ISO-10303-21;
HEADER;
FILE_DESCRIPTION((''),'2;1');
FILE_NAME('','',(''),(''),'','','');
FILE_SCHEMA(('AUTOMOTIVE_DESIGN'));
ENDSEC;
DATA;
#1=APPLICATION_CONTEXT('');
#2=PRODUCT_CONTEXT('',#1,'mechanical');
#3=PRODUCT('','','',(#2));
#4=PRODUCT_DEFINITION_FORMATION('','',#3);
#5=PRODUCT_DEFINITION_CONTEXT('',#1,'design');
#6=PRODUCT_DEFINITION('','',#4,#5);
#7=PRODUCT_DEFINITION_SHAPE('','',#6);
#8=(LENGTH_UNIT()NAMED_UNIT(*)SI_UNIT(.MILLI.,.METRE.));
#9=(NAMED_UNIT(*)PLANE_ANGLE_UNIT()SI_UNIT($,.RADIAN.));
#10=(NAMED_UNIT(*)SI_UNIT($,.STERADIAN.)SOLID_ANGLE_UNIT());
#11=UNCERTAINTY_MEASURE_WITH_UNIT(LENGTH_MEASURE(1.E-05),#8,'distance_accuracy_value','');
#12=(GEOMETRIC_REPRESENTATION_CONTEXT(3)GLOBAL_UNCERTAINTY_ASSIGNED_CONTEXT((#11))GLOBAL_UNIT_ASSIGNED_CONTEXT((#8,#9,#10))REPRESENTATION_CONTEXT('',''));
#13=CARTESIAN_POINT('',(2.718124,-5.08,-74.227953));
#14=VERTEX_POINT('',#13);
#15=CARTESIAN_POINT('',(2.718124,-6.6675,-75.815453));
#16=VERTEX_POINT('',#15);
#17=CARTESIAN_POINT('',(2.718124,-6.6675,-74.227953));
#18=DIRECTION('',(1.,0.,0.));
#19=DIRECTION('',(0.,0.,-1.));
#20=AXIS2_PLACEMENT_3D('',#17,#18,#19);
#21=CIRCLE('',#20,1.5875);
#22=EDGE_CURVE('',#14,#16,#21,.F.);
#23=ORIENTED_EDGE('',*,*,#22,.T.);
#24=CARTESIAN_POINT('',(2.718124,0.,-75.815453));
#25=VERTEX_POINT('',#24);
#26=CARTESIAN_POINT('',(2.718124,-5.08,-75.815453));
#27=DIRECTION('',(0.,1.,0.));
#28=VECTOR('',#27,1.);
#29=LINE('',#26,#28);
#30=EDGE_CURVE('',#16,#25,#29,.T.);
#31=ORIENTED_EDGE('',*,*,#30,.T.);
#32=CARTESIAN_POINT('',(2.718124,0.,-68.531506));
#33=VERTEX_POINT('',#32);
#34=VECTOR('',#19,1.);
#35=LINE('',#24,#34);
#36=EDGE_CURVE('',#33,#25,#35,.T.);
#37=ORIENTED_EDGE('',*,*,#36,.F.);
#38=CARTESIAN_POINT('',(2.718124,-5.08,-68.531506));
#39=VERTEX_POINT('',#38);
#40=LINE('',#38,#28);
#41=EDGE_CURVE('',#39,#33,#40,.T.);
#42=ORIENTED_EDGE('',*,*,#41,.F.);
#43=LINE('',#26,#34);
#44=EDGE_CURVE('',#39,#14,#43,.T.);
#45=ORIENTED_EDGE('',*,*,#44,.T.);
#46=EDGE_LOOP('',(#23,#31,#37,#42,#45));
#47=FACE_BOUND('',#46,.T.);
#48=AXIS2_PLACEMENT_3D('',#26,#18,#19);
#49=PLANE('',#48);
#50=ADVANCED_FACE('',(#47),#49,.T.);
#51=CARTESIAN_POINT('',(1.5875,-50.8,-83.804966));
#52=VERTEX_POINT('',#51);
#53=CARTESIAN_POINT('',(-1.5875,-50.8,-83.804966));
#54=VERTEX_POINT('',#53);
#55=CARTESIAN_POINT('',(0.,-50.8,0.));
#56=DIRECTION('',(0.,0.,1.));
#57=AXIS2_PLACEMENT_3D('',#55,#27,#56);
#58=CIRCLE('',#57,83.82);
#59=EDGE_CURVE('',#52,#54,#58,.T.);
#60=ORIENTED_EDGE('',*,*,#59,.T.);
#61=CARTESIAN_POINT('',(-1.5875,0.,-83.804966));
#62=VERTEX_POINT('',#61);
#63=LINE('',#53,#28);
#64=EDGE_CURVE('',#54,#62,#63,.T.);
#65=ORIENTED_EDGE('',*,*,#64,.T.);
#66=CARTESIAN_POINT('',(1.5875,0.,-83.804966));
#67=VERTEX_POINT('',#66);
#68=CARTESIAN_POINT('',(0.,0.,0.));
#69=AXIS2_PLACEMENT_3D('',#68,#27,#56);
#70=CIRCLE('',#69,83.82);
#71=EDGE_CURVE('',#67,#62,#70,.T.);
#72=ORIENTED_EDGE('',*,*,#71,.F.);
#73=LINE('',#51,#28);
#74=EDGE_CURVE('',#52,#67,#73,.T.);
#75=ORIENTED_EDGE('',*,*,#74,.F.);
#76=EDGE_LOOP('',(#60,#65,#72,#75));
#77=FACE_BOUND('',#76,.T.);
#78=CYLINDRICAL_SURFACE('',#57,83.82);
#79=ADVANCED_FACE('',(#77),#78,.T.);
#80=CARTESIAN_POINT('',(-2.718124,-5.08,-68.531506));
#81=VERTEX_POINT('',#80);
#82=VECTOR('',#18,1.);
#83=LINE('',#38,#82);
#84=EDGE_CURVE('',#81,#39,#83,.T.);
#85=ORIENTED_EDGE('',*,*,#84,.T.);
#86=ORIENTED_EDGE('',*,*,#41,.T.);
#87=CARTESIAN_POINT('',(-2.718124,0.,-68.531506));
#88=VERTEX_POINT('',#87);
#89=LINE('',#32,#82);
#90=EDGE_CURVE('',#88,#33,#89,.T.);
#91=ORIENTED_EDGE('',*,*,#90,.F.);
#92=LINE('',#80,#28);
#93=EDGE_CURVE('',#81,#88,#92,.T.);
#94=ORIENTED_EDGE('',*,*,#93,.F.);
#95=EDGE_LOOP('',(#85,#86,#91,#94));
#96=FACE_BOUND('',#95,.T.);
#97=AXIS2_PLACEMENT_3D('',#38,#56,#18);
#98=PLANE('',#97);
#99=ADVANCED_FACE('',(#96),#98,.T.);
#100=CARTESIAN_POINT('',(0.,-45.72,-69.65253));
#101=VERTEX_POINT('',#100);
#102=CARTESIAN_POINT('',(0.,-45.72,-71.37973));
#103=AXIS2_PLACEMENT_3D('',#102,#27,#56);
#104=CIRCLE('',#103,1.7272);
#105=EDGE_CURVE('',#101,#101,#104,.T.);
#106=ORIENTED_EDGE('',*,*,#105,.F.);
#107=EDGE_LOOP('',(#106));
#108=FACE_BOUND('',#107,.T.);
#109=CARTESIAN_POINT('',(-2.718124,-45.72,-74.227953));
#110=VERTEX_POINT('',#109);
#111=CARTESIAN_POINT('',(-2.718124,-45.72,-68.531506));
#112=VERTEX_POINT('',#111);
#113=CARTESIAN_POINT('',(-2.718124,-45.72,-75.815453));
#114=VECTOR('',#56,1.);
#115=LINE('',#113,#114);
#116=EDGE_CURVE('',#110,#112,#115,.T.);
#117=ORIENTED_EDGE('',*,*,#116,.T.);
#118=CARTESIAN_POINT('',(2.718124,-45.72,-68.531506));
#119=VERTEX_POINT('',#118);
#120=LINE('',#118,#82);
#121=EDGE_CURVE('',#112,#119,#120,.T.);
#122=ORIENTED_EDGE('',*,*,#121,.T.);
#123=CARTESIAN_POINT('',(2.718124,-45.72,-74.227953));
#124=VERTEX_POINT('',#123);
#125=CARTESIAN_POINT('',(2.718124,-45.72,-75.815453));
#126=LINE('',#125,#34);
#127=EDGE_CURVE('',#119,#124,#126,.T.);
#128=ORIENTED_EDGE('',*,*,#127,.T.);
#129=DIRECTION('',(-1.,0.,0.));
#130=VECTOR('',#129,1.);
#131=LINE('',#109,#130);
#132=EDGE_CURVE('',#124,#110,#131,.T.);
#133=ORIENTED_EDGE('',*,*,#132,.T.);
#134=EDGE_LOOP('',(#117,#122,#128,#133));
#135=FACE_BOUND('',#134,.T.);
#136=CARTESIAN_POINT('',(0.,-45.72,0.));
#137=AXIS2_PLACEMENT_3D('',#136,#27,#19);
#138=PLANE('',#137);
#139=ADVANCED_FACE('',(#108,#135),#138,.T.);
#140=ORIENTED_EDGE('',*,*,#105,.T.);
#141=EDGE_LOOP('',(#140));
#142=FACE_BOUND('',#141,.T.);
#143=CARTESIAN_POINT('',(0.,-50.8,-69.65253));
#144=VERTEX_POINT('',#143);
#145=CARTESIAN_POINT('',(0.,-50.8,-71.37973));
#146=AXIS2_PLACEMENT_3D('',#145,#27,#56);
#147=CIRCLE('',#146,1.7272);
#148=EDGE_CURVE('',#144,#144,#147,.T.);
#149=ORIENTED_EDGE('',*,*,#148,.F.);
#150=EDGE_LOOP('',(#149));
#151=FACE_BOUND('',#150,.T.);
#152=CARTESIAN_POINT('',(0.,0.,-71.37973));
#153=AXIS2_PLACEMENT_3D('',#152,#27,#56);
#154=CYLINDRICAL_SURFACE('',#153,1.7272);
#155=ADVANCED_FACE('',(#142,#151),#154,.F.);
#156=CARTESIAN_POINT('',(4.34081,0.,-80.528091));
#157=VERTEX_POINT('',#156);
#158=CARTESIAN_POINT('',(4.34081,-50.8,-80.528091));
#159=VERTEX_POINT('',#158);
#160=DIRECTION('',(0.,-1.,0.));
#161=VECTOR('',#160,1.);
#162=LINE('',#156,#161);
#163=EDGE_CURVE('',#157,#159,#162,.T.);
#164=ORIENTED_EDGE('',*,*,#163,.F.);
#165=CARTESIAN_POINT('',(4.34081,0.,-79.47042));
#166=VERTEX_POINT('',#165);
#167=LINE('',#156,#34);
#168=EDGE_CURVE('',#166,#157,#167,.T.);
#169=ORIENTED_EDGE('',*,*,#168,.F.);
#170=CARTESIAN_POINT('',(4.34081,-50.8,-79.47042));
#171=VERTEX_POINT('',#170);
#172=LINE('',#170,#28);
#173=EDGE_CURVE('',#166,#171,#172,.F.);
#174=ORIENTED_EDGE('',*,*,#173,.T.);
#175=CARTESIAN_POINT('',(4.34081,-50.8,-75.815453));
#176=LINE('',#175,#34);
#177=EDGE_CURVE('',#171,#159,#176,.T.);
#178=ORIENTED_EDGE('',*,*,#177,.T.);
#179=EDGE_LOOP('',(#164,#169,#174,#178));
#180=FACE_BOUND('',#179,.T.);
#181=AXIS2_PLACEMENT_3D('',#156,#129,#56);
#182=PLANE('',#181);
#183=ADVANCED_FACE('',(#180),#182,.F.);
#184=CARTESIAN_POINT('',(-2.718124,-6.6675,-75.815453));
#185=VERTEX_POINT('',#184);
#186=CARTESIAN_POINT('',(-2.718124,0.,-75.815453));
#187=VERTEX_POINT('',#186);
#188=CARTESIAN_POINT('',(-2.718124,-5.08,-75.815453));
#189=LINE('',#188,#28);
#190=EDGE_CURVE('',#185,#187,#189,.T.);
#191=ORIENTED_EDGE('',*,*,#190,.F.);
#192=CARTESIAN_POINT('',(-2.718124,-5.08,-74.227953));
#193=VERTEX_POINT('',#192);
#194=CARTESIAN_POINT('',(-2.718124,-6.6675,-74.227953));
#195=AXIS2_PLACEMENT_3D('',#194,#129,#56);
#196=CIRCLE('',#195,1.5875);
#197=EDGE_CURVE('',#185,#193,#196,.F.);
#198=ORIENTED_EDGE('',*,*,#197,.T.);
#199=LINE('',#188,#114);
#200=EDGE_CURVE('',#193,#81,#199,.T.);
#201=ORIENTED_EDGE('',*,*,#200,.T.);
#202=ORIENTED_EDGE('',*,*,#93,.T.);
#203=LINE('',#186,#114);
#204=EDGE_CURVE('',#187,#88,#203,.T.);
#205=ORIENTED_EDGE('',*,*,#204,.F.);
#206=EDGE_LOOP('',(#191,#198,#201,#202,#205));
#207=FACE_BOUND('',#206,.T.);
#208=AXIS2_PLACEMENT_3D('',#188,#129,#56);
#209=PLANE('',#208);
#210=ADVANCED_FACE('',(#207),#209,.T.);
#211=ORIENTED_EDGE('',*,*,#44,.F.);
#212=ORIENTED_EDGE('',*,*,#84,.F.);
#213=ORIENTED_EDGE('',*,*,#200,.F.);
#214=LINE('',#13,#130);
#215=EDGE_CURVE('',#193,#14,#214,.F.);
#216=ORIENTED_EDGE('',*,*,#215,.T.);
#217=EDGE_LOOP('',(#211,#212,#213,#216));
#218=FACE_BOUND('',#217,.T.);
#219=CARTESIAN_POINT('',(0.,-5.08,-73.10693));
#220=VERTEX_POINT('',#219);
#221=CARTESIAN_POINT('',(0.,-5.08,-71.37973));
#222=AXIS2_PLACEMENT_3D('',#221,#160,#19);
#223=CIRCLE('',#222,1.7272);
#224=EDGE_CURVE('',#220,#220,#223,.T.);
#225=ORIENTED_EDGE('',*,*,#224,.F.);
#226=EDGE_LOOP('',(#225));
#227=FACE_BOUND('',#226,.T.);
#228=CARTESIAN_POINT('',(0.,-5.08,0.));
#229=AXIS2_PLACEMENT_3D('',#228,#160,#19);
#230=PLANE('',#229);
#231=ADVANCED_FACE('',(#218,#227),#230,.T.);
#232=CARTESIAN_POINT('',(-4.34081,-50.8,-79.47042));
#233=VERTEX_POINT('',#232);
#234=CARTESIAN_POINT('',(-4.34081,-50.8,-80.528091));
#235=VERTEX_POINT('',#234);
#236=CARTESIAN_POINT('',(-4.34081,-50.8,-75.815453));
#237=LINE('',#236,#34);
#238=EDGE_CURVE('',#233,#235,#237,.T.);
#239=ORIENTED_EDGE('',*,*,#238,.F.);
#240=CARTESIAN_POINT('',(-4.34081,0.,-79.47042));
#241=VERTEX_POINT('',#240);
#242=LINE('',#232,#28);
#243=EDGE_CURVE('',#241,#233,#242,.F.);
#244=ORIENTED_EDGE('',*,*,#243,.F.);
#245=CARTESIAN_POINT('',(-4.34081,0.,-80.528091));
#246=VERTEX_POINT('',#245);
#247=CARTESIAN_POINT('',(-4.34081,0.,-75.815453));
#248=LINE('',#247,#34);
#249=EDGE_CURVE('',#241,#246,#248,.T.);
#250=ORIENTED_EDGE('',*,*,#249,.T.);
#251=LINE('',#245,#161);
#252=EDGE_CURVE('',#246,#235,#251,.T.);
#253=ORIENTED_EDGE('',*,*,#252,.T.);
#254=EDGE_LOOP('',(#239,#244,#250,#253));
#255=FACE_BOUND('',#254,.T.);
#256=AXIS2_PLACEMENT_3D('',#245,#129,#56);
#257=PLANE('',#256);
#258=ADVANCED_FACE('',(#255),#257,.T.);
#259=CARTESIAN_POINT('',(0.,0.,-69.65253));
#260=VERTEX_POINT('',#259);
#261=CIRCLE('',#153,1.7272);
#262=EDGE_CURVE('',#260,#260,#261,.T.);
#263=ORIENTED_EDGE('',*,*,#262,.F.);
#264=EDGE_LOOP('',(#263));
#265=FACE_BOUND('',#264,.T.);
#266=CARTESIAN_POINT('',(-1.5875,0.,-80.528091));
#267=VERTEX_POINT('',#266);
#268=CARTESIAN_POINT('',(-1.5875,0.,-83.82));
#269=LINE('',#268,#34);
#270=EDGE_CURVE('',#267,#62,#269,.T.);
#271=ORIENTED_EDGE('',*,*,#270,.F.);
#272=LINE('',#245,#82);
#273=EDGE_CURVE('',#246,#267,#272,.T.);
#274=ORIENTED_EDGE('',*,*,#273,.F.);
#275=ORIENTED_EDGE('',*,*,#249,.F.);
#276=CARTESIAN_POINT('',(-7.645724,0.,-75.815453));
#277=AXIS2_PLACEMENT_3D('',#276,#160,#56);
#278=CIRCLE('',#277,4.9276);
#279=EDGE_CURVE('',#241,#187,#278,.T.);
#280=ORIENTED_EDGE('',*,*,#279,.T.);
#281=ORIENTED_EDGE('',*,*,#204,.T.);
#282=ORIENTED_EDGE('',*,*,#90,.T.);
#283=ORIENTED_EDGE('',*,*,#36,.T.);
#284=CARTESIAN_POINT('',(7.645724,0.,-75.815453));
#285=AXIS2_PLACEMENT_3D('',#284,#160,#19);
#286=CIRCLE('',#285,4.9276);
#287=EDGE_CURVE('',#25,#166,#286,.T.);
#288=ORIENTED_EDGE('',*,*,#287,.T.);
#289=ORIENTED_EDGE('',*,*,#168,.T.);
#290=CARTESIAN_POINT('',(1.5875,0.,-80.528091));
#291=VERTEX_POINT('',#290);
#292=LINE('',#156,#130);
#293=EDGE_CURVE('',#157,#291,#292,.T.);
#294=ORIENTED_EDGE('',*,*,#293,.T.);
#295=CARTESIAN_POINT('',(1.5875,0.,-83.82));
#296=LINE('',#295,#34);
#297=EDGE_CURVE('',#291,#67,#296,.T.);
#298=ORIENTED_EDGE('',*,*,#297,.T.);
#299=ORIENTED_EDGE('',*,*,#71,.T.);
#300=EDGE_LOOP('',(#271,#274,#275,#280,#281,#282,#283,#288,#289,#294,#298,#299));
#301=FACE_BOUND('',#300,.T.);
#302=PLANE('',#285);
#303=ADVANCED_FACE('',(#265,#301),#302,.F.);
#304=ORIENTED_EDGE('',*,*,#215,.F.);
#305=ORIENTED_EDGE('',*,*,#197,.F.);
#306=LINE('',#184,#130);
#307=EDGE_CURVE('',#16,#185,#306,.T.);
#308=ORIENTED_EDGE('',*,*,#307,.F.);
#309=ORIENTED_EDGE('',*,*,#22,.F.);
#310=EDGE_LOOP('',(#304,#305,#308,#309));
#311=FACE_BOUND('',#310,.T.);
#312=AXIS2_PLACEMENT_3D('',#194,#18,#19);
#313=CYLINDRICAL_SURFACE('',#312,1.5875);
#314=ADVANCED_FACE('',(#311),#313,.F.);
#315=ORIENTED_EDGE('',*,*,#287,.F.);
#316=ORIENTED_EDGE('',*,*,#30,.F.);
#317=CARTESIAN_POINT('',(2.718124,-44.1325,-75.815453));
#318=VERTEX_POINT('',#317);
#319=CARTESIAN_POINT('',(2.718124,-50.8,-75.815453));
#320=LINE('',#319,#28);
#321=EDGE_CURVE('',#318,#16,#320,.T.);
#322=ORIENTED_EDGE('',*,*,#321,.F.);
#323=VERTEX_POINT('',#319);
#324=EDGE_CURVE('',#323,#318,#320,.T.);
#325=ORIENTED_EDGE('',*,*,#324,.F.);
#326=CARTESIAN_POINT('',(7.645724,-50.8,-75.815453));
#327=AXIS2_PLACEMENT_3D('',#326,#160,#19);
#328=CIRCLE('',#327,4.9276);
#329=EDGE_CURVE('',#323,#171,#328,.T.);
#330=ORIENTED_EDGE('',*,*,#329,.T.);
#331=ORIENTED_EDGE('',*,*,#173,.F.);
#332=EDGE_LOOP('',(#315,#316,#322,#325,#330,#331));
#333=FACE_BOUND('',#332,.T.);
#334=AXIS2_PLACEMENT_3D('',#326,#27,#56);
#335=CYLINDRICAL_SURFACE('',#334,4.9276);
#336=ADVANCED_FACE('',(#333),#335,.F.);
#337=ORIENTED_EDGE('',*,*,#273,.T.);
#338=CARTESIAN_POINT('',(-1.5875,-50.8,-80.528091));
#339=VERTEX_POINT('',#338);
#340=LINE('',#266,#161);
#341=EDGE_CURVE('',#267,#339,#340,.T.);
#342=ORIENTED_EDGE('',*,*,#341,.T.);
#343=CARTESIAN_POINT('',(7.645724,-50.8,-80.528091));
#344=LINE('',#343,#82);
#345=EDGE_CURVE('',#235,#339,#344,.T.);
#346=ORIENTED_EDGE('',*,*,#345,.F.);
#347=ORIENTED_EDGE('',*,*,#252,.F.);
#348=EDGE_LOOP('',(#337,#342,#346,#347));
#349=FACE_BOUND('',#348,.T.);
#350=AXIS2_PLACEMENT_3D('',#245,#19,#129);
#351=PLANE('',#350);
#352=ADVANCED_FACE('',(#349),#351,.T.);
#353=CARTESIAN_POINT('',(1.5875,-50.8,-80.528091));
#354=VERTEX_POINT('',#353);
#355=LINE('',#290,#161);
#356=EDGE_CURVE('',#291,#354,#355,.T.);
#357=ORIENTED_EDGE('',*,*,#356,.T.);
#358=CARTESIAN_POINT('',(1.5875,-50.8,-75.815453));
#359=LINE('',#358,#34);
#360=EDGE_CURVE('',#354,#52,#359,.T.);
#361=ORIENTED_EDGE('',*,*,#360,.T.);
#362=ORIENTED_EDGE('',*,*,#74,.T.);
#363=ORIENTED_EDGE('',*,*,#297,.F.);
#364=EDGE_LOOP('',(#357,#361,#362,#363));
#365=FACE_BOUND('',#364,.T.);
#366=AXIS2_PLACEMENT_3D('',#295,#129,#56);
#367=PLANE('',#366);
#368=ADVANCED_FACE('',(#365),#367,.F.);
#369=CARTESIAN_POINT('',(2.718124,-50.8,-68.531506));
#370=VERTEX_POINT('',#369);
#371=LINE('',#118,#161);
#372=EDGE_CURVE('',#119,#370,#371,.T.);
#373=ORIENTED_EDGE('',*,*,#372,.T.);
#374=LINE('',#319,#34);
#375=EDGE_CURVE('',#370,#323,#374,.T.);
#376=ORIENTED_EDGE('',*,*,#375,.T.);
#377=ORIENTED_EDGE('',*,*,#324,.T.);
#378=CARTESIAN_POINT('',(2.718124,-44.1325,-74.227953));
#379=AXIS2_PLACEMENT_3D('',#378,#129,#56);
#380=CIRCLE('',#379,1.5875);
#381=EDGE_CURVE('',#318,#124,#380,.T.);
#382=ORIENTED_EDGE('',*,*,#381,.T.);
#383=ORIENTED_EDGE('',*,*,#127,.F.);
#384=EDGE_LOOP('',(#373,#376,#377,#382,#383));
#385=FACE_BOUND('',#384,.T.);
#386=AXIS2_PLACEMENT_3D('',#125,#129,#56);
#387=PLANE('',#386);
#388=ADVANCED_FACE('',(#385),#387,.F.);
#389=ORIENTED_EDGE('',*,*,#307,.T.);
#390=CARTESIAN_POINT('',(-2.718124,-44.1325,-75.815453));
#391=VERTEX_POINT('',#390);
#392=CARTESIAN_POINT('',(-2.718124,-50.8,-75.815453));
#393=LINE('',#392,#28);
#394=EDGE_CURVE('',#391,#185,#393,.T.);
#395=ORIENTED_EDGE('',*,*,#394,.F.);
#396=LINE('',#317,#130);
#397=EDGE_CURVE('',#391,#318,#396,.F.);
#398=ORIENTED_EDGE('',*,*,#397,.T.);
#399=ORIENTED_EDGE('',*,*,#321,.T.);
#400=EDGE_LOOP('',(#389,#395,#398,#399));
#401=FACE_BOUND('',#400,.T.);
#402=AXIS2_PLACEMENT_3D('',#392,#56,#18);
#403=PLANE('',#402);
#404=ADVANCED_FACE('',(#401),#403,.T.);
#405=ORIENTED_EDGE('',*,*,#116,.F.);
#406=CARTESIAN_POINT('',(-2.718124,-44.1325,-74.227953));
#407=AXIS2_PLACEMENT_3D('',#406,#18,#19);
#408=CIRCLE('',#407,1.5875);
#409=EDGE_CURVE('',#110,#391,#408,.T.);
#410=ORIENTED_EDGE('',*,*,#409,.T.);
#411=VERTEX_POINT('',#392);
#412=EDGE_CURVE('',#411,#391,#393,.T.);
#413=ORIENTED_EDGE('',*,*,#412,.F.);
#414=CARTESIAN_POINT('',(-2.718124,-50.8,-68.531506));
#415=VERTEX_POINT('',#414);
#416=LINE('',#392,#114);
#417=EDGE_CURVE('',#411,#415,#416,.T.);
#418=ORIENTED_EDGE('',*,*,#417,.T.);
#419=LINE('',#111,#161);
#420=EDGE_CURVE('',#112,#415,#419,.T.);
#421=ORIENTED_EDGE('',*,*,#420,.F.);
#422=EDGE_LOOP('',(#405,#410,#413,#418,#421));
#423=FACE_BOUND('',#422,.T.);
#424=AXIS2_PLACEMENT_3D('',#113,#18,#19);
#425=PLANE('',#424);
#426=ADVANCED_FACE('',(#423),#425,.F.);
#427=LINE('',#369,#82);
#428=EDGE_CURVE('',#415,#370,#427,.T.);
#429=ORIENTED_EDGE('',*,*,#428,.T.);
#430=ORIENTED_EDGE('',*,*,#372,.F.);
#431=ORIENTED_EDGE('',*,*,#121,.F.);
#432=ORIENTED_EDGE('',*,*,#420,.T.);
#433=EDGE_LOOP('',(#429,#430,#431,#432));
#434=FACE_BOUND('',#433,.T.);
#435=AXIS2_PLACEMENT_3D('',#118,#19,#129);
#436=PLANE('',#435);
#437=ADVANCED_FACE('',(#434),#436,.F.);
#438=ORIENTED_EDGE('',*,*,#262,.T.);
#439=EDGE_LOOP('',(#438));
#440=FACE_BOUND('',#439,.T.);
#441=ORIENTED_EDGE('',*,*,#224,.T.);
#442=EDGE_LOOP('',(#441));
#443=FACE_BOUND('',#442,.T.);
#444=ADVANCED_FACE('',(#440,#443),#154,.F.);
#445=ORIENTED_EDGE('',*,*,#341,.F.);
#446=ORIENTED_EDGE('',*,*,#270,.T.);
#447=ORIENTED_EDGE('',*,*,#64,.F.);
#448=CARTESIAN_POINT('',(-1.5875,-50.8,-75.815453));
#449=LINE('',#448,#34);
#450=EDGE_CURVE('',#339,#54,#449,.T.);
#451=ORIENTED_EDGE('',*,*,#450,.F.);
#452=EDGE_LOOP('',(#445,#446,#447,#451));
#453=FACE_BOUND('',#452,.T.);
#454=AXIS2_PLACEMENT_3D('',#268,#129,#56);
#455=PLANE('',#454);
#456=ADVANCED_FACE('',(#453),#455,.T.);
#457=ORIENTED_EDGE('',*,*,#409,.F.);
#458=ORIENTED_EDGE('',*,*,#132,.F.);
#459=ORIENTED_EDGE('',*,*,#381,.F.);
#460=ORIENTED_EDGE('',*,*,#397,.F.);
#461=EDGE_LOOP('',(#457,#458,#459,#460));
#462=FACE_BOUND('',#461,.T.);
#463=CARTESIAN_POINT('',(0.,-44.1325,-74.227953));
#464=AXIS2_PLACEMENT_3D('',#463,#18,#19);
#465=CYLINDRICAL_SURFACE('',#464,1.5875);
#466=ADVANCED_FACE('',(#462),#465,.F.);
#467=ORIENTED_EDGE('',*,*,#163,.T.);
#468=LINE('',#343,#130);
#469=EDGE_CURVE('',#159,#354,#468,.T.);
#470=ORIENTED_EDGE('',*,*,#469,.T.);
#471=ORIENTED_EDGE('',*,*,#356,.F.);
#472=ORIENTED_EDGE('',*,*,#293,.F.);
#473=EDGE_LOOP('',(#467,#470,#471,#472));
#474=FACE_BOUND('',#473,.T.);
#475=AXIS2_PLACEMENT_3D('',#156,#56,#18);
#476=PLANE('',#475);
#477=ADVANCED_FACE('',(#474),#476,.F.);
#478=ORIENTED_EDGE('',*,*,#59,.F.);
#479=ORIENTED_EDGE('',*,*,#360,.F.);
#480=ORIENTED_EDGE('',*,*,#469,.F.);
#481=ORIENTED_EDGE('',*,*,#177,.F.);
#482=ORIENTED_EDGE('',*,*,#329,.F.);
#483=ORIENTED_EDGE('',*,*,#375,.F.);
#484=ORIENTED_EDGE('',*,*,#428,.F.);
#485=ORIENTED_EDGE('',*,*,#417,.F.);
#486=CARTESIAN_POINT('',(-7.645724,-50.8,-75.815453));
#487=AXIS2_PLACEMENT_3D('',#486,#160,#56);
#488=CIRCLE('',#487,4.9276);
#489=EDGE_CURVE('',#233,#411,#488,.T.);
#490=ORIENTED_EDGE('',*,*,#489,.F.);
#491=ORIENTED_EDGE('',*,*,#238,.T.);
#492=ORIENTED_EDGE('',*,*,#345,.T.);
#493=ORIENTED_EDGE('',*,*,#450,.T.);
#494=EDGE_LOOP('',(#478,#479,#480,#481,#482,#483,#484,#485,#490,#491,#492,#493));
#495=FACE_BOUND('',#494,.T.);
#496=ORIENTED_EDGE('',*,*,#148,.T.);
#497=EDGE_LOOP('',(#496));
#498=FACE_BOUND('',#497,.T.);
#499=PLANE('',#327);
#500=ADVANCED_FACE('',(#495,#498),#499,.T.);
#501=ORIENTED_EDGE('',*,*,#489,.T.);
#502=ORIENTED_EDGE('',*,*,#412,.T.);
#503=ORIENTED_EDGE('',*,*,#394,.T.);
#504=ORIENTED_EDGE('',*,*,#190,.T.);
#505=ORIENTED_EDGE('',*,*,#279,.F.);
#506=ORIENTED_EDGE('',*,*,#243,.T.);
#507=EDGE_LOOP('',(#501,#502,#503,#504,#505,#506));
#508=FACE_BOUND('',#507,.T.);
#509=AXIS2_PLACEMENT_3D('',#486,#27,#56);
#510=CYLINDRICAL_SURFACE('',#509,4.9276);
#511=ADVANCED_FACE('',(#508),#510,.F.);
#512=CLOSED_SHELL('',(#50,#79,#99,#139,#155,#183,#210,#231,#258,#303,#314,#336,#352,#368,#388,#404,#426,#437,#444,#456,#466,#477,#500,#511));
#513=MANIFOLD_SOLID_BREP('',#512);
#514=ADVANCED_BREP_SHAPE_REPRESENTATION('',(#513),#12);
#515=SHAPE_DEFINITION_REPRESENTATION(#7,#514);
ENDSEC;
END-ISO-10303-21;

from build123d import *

# Parameters (mm, degrees)
BOSS_EXTRUDE1_DEPTH   = 50.8
CUT_EXTRUDE1_DEPTH    = 99.34985718
SKETCH2_W             = 5.436248728
SKETCH2_H             = 7.283946563
BOSS_EXTRUDE2_DEPTH   = 5.08
FILLET1_R             = 1.5875
FILLET1_OF_MIRROR1_R  = 1.5875
F_4_CLEARANCE_HOLE1_D = 3.4544


with BuildPart() as part:
    # Sketch1 → Boss-Extrude1 (new body)
    with BuildSketch(Plane(origin=(0, 0, 0), x_dir=(1, 0, 0), z_dir=(0, 1, 0))):
        with BuildLine():
            Line((-2.718124364, 75.815452903), (2.718124364, 75.815452903))
            ThreePointArc((2.718124364, 75.815452903), (4.340809806, 79.470419596), (8.140147873, 80.718185524))
            Line((8.140147873, 80.718185524), (8.140147873, 83.423799917))
            ThreePointArc((8.140147873, 83.423799917), (0, 83.82), (-8.140147873, 83.423799917))
            Line((-8.140147873, 83.423799917), (-8.140147873, 80.718185524))
            ThreePointArc((-8.140147873, 80.718185524), (-4.340809806, 79.470419596), (-2.718124364, 75.815452903))
        make_face()
    extrude(amount=-BOSS_EXTRUDE1_DEPTH)

    # Sketch3 → Cut-Extrude1 (cut, through all)
    with BuildSketch(Plane(origin=(0, 0, 0), x_dir=(1, 0, 0), z_dir=(0, 1, 0))):
        Polygon((37.412226228, 86.104380481), (-3.175, 86.104380481), (-9.73961955, 86.104380481), (-9.73961955, 76.768037091), (-4.340809806, 76.768037091), (-4.340809806, 80.528090721), (-1.5875, 80.528090721), (-1.5875, 83.82), (0, 83.82), (40.587226228, 83.82), (87.99570433, 149.711789591), (84.82070433, 151.996170072), align=None)
    cut_extrude1 = extrude(amount=-CUT_EXTRUDE1_DEPTH, mode=Mode.SUBTRACT)

    # Mirror2: Cut-Extrude1 across plane
    add(cut_extrude1.mirror(Plane(origin=(0, 0, 0), x_dir=(0, 0, 1), z_dir=(1, 0, 0))), mode=Mode.SUBTRACT)

    # Sketch2 → Boss-Extrude2 (add)
    with BuildSketch(Plane(origin=(0, 0, 0), x_dir=(1, 0, 0), z_dir=(0, 1, 0))):
        with Locations((0, 72.173479622)):
            Rectangle(SKETCH2_W, SKETCH2_H)
    boss_extrude2 = extrude(amount=-BOSS_EXTRUDE2_DEPTH)

    # Fillet1
    fillet1_edges = [part.edges().sort_by_distance(p)[0] for p in [
        (0, -5.08, -75.815452903),
    ]]
    fillet(fillet1_edges, radius=FILLET1_R)

    # Mirror1: Boss-Extrude2 across plane
    add(boss_extrude2.mirror(Plane(origin=(0, -25.4, 0), x_dir=(0, 0, 1), z_dir=(0, -1, 0))))

    # Fillet1 of Mirror1
    fillet1_of_mirror1_edges = [part.edges().sort_by_distance(p)[0] for p in [
        (0, -45.72, -75.815452903),
    ]]
    fillet(fillet1_of_mirror1_edges, radius=FILLET1_OF_MIRROR1_R)

    # #4 Clearance Hole1 (through all)
    with Locations(Plane(origin=(0, 0, 0), x_dir=(1, 0, 0), z_dir=(0, 1, 0))):
        with Locations((0, 71.379729622)):
            Hole(F_4_CLEARANCE_HOLE1_D / 2)


solid = part.part
